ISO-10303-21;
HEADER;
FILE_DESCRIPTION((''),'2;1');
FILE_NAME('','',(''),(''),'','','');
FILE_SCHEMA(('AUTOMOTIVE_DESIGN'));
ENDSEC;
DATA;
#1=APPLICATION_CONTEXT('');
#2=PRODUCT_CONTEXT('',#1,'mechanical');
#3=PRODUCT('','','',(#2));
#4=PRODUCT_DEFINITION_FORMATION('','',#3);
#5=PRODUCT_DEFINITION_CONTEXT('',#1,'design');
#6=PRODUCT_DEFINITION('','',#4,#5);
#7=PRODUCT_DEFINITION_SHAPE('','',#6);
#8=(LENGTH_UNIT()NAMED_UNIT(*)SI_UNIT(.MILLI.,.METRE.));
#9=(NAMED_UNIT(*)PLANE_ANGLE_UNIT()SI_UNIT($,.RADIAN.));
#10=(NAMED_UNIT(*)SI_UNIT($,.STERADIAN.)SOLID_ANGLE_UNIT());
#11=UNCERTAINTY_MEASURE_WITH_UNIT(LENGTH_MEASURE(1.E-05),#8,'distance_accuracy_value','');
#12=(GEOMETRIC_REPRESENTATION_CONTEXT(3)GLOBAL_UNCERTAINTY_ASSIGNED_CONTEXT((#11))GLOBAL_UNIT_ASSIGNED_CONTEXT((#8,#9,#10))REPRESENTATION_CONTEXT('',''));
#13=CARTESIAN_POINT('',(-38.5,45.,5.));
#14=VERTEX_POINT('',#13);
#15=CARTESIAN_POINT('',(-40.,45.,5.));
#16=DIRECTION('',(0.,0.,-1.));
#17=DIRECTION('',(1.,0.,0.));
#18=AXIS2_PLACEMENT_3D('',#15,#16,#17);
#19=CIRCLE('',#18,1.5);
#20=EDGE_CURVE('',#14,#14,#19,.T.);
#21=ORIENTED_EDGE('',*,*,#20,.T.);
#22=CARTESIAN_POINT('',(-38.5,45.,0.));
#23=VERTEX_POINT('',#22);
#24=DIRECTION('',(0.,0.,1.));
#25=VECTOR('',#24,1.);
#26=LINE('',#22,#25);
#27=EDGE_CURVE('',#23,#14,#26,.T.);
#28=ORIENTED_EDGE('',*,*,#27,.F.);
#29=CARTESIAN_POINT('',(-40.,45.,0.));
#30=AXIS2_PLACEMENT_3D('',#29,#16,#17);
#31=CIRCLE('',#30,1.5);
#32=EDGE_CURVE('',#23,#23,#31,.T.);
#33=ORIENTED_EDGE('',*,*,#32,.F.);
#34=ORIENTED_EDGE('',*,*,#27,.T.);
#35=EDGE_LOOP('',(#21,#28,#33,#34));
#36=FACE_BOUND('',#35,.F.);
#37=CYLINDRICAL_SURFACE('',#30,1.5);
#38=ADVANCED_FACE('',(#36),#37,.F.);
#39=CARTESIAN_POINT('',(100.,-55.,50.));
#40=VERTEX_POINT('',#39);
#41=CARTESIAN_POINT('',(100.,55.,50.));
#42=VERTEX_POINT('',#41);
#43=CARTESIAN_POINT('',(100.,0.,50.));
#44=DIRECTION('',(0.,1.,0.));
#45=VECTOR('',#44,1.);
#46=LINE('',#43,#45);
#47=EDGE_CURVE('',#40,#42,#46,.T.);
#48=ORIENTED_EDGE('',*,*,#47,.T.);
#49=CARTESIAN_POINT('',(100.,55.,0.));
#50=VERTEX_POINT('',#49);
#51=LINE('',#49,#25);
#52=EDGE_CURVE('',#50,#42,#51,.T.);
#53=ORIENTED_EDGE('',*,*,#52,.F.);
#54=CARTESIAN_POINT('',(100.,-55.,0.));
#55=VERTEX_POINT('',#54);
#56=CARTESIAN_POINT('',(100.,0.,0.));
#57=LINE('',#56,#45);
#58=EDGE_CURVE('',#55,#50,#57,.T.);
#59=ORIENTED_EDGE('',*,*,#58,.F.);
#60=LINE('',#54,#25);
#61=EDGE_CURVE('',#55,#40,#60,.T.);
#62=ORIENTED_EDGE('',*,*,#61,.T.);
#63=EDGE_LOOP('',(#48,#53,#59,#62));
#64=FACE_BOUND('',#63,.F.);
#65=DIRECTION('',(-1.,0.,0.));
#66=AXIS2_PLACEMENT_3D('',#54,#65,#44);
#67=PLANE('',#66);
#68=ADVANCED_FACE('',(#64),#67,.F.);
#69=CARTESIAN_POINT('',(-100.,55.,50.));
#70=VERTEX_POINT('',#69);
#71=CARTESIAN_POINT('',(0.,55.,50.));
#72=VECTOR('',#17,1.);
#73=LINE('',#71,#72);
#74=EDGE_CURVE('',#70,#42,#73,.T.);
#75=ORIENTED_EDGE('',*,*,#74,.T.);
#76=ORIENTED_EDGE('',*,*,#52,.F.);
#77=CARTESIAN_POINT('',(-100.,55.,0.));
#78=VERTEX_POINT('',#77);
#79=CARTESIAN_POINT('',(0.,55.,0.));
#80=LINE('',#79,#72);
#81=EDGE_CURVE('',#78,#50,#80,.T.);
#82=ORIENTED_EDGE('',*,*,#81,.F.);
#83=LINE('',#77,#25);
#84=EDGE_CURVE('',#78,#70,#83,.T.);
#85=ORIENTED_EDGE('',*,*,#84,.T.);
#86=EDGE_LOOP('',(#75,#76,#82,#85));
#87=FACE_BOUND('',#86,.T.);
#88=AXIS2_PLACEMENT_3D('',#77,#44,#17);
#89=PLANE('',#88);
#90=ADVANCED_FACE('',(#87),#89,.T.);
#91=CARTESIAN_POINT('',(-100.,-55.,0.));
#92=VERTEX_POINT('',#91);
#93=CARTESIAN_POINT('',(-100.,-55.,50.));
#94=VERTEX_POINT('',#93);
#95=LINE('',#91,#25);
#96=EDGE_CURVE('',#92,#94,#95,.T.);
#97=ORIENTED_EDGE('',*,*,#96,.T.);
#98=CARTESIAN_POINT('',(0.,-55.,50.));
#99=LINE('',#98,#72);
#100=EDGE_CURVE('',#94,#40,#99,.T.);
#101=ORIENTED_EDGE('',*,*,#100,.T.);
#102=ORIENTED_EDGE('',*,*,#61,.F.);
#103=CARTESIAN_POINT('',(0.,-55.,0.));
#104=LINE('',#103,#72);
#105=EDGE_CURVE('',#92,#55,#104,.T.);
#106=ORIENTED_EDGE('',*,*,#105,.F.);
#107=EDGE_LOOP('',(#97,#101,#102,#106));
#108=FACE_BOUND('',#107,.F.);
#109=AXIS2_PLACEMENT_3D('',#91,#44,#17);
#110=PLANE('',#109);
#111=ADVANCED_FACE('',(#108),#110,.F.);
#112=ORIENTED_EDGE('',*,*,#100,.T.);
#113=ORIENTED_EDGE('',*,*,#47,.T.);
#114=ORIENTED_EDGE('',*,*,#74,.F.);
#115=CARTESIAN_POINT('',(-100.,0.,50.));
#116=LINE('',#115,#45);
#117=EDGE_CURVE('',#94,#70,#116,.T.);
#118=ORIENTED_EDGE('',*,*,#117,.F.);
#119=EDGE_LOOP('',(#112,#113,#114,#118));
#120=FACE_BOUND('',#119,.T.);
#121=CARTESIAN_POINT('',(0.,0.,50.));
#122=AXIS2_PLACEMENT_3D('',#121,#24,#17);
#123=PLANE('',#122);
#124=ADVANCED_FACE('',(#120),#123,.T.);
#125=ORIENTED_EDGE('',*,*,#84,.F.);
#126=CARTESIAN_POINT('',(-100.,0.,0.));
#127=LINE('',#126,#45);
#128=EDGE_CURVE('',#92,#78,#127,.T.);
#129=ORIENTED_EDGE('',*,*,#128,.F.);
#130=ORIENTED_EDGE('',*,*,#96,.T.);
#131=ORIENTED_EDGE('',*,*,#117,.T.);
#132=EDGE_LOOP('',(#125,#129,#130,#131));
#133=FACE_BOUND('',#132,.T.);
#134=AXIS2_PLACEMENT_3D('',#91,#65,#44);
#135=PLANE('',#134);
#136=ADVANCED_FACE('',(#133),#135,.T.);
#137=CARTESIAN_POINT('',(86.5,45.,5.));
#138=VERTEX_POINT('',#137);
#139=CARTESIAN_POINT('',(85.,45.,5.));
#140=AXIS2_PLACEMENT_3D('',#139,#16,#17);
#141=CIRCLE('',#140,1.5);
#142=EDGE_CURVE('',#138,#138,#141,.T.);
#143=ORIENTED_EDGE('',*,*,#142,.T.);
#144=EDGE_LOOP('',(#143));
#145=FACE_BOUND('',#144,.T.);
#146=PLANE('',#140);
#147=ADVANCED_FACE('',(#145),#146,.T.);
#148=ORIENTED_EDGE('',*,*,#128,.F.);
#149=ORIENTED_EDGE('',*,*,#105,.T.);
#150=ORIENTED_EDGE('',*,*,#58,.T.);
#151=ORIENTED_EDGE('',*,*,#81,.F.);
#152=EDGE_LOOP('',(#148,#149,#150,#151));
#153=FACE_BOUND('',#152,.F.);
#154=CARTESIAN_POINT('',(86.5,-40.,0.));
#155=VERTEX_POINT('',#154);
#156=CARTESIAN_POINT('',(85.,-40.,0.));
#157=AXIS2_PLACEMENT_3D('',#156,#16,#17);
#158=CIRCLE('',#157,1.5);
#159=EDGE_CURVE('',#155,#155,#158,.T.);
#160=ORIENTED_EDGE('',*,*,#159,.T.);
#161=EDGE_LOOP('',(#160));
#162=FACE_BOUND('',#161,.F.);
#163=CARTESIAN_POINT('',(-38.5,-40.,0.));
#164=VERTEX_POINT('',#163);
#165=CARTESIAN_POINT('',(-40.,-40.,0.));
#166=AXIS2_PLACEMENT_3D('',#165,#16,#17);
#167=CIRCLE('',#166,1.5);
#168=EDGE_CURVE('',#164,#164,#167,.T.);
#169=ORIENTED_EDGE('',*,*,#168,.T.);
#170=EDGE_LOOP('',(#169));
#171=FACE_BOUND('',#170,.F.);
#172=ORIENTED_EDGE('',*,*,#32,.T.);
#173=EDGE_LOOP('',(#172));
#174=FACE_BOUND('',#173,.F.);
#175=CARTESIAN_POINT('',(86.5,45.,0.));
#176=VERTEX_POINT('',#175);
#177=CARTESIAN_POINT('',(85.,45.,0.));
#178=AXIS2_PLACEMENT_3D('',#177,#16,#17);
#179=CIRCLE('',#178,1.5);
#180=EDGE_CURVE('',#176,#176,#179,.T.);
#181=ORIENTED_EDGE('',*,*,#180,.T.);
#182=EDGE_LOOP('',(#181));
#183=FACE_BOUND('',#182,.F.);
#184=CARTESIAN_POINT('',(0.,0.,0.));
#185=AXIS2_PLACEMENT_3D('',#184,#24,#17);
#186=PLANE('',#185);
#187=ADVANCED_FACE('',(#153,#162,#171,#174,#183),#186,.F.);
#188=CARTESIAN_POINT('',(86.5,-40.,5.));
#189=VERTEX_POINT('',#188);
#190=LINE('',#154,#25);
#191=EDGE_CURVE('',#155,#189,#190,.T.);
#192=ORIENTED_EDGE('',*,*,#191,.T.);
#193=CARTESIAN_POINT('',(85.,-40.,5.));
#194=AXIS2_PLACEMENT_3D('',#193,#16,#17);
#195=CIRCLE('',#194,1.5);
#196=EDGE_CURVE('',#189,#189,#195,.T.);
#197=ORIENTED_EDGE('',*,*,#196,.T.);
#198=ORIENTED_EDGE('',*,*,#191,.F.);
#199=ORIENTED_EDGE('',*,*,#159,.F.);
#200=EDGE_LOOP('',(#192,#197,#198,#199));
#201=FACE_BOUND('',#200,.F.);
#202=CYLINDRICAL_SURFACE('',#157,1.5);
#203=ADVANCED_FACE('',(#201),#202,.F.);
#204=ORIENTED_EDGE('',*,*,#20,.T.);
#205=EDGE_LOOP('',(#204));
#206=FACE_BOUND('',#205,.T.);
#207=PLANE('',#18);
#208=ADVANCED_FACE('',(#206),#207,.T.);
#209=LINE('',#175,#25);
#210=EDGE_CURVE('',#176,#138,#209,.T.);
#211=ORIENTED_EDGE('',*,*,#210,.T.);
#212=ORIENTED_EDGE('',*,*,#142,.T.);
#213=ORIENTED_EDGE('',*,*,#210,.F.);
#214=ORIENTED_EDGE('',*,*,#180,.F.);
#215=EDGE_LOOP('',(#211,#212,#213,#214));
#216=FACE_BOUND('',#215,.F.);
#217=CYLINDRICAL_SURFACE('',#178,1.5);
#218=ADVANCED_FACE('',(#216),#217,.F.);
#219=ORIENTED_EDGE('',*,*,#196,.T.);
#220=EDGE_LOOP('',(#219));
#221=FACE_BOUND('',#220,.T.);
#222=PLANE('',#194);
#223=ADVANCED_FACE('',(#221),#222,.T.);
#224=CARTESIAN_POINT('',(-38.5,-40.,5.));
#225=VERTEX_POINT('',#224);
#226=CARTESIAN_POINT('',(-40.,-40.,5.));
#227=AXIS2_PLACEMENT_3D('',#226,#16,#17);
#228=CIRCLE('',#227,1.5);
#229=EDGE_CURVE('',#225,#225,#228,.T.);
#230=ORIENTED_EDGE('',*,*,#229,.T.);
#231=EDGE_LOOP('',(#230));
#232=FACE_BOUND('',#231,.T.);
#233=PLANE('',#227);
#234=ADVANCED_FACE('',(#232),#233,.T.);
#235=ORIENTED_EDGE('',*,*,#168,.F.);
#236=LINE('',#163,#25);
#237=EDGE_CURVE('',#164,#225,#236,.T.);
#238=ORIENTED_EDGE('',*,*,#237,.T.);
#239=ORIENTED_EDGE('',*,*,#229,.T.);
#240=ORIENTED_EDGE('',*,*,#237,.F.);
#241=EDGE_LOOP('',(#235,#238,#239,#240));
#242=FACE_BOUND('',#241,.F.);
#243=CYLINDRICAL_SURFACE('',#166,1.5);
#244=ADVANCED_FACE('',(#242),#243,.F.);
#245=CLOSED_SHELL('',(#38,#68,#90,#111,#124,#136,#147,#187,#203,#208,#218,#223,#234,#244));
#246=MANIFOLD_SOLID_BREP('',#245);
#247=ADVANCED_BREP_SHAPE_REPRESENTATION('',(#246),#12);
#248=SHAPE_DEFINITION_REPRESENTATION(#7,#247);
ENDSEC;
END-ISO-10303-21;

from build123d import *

# Parameters (mm, degrees)
F1_W     = 200
F1_H     = 110
F2_DEPTH = 50
F3_R     = 1.5
F4_DEPTH = 5


with BuildPart() as f2:
    # F1 (on Top) → F2 (new body)
    with BuildSketch(Plane.XY):
        Rectangle(F1_W, F1_H)
    extrude(amount=F2_DEPTH)

    # F3 (on face) → F4 (cut)
    with BuildSketch(Plane(origin=(0, 0, 0), x_dir=(1, 0, 0), z_dir=(0, 0, -1))):
        with Locations((-40, 40)):
            Circle(F3_R)
        with Locations((-40, -45)):
            Circle(F3_R)
        with Locations((85, -45)):
            Circle(F3_R)
        with Locations((85, 40)):
            Circle(F3_R)
    extrude(amount=-F4_DEPTH, mode=Mode.SUBTRACT)


solid = f2.part
